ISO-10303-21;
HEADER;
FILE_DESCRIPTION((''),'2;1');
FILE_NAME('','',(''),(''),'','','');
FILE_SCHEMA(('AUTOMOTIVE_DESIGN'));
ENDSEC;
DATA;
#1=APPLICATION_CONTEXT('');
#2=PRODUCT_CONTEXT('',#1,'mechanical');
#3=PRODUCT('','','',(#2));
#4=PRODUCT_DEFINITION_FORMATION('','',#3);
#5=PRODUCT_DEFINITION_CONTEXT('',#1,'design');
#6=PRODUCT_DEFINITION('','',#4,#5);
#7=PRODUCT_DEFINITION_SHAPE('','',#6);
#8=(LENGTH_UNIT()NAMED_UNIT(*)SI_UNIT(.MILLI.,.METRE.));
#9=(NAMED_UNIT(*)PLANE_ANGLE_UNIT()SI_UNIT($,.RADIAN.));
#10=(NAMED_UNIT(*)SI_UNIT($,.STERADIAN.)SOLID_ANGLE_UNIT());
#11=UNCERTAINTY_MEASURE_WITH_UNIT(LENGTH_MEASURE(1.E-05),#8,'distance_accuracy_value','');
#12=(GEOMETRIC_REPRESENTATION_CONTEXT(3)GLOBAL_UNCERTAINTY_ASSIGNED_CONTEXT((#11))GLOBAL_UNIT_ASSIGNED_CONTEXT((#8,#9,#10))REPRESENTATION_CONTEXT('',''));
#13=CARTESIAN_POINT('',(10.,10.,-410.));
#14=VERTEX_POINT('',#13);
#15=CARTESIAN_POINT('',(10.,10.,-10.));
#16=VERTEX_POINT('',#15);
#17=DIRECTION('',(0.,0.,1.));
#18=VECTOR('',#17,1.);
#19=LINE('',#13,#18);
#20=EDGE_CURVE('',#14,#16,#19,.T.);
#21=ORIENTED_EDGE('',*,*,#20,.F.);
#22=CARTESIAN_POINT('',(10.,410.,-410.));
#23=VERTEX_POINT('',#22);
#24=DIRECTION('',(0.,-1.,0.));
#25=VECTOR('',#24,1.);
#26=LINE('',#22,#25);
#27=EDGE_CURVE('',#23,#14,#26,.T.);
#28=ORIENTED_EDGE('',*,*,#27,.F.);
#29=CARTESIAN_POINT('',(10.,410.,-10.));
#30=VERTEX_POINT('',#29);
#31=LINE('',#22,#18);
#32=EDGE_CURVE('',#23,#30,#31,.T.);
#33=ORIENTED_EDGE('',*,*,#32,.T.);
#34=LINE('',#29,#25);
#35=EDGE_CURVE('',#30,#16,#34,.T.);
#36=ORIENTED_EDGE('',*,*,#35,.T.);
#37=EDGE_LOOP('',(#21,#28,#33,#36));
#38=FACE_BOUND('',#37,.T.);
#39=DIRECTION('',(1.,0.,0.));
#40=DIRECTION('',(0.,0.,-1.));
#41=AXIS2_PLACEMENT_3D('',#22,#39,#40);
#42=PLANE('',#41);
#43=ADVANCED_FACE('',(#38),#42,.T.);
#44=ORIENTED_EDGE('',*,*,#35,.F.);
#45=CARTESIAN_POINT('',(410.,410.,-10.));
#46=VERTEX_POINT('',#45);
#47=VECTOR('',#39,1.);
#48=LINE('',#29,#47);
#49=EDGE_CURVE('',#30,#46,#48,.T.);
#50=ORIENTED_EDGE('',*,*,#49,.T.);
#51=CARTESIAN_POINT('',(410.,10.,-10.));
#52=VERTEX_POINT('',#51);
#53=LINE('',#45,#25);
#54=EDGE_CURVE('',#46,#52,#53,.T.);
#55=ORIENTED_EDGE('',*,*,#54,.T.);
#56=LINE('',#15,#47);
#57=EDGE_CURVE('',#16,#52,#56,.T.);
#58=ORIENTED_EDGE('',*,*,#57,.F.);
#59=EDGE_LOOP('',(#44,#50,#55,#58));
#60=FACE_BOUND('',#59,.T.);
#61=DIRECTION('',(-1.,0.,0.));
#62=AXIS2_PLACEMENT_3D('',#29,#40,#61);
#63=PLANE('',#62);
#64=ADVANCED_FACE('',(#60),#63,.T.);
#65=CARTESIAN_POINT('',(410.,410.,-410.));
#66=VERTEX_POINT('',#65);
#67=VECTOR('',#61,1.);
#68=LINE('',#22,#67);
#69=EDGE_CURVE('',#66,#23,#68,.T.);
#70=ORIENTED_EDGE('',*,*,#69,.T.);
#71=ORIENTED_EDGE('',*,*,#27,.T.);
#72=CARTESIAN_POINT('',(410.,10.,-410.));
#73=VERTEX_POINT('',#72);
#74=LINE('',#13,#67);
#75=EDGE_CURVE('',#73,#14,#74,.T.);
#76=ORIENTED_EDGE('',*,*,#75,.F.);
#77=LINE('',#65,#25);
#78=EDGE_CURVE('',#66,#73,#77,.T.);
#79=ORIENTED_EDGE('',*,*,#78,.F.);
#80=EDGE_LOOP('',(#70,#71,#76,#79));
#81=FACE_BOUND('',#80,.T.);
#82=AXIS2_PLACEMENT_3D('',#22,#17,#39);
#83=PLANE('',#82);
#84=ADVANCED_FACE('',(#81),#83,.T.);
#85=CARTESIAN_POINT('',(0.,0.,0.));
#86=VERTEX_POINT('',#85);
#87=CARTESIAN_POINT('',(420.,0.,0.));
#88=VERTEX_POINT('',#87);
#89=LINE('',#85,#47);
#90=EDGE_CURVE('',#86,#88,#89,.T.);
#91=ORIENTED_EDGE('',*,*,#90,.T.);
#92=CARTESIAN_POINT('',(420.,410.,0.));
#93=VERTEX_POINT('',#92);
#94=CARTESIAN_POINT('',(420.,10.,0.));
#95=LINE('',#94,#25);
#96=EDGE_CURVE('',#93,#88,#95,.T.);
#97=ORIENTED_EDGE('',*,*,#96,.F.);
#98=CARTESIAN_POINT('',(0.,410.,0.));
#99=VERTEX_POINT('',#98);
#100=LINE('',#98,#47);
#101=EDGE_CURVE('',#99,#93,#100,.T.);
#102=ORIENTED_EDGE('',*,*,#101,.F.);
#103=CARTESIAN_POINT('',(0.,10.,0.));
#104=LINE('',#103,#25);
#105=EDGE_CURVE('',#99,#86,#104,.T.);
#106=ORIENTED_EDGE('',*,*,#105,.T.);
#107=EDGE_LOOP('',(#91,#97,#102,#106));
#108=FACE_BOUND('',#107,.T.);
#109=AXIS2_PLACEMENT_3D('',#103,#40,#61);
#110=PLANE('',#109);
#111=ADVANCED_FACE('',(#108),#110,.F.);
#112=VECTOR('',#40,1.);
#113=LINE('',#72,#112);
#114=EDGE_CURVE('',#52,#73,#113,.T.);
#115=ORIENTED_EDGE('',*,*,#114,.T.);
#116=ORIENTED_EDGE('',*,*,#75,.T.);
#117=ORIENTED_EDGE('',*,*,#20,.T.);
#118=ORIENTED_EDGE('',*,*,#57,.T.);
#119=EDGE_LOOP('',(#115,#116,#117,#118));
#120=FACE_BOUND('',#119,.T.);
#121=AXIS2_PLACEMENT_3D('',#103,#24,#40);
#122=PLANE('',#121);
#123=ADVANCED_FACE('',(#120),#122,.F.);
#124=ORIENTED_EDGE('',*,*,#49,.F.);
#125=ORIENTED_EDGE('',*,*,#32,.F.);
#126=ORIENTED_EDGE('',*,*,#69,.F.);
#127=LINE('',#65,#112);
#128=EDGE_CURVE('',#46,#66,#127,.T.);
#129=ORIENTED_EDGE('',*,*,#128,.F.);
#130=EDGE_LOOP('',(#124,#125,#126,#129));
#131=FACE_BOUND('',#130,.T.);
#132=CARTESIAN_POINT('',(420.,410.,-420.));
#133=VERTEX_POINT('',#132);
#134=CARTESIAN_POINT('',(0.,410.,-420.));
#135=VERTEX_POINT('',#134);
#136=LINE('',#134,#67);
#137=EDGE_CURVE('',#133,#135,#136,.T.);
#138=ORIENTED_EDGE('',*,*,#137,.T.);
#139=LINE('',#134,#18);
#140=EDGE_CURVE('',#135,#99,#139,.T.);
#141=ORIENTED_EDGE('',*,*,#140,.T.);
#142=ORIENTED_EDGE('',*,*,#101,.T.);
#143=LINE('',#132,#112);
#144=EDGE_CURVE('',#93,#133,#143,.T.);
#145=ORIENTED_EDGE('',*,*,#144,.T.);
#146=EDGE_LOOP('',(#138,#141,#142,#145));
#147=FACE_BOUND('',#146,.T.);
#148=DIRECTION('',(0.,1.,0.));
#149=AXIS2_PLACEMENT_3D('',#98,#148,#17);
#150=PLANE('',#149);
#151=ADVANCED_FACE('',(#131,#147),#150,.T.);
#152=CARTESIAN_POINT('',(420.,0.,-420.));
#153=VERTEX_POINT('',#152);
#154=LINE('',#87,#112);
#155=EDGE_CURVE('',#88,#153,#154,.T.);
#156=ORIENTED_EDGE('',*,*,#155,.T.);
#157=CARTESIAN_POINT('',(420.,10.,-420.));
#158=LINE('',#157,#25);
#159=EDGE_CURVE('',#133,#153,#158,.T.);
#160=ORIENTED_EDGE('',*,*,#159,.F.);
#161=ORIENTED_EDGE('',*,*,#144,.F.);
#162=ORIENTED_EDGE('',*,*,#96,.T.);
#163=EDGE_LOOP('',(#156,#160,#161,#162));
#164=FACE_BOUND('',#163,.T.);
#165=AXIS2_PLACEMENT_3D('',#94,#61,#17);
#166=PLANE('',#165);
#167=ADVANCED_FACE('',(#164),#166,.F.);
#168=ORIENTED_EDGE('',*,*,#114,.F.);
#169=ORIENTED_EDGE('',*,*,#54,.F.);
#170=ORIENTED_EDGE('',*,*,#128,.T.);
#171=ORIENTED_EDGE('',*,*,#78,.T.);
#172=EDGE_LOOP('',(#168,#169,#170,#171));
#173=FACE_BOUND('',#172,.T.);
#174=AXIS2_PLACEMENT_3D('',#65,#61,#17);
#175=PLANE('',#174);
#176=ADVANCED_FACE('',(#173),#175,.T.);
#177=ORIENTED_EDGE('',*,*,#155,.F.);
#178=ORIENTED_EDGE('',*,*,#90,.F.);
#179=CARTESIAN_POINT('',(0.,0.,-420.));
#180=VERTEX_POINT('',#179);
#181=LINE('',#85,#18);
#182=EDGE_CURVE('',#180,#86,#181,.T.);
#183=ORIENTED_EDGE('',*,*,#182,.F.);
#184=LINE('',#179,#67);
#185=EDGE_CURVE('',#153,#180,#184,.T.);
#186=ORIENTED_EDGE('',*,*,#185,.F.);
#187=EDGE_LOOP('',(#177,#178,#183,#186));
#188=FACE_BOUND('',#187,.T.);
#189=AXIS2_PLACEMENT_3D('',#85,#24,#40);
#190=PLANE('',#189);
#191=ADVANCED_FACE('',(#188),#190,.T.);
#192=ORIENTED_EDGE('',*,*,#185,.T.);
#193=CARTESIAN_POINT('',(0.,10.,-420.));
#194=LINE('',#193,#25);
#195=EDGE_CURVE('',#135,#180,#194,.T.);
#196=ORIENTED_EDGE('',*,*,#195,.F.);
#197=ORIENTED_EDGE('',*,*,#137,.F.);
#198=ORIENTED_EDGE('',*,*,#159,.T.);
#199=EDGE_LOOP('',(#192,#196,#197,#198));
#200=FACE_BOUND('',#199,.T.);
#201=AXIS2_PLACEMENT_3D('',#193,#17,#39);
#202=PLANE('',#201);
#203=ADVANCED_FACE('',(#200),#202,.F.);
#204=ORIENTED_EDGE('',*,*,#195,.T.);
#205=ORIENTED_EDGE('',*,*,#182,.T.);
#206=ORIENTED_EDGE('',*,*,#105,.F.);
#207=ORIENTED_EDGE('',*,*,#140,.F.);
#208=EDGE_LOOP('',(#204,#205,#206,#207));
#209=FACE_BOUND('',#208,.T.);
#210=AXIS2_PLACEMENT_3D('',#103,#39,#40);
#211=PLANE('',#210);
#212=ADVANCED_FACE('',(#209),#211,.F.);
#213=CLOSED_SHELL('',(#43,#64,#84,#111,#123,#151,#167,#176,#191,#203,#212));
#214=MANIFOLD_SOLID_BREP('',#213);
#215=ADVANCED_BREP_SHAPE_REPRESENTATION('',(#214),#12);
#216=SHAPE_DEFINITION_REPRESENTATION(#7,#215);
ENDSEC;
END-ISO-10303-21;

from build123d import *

# Parameters (mm, degrees)
SKETCH1_W           = 420
SKETCH1_H           = 420
BOSS_EXTRUDE1_DEPTH = 10
SKETCH2_W           = 420
SKETCH2_H           = 420
SKETCH2_W_2         = 400
SKETCH2_H_2         = 400
BOSS_EXTRUDE2_DEPTH = 400


with BuildPart() as part:
    # Sketch1 → Boss-Extrude1 (new body)
    with BuildSketch(Plane(origin=(0, 0, 0), x_dir=(1, 0, 0), z_dir=(0, 1, 0))):
        with Locations((210, 210)):
            Rectangle(SKETCH1_W, SKETCH1_H)
    extrude(amount=BOSS_EXTRUDE1_DEPTH)

    # Sketch2 → Boss-Extrude2 (add)
    with BuildSketch(Plane(origin=(0, 10, 0), x_dir=(1, 0, 0), z_dir=(0, 1, 0))):
        with Locations((210, 210)):
            Rectangle(SKETCH2_W, SKETCH2_H)
        with Locations((210, 210)):
            Rectangle(SKETCH2_W_2, SKETCH2_H_2, mode=Mode.SUBTRACT)
    extrude(amount=BOSS_EXTRUDE2_DEPTH)


solid = part.part
